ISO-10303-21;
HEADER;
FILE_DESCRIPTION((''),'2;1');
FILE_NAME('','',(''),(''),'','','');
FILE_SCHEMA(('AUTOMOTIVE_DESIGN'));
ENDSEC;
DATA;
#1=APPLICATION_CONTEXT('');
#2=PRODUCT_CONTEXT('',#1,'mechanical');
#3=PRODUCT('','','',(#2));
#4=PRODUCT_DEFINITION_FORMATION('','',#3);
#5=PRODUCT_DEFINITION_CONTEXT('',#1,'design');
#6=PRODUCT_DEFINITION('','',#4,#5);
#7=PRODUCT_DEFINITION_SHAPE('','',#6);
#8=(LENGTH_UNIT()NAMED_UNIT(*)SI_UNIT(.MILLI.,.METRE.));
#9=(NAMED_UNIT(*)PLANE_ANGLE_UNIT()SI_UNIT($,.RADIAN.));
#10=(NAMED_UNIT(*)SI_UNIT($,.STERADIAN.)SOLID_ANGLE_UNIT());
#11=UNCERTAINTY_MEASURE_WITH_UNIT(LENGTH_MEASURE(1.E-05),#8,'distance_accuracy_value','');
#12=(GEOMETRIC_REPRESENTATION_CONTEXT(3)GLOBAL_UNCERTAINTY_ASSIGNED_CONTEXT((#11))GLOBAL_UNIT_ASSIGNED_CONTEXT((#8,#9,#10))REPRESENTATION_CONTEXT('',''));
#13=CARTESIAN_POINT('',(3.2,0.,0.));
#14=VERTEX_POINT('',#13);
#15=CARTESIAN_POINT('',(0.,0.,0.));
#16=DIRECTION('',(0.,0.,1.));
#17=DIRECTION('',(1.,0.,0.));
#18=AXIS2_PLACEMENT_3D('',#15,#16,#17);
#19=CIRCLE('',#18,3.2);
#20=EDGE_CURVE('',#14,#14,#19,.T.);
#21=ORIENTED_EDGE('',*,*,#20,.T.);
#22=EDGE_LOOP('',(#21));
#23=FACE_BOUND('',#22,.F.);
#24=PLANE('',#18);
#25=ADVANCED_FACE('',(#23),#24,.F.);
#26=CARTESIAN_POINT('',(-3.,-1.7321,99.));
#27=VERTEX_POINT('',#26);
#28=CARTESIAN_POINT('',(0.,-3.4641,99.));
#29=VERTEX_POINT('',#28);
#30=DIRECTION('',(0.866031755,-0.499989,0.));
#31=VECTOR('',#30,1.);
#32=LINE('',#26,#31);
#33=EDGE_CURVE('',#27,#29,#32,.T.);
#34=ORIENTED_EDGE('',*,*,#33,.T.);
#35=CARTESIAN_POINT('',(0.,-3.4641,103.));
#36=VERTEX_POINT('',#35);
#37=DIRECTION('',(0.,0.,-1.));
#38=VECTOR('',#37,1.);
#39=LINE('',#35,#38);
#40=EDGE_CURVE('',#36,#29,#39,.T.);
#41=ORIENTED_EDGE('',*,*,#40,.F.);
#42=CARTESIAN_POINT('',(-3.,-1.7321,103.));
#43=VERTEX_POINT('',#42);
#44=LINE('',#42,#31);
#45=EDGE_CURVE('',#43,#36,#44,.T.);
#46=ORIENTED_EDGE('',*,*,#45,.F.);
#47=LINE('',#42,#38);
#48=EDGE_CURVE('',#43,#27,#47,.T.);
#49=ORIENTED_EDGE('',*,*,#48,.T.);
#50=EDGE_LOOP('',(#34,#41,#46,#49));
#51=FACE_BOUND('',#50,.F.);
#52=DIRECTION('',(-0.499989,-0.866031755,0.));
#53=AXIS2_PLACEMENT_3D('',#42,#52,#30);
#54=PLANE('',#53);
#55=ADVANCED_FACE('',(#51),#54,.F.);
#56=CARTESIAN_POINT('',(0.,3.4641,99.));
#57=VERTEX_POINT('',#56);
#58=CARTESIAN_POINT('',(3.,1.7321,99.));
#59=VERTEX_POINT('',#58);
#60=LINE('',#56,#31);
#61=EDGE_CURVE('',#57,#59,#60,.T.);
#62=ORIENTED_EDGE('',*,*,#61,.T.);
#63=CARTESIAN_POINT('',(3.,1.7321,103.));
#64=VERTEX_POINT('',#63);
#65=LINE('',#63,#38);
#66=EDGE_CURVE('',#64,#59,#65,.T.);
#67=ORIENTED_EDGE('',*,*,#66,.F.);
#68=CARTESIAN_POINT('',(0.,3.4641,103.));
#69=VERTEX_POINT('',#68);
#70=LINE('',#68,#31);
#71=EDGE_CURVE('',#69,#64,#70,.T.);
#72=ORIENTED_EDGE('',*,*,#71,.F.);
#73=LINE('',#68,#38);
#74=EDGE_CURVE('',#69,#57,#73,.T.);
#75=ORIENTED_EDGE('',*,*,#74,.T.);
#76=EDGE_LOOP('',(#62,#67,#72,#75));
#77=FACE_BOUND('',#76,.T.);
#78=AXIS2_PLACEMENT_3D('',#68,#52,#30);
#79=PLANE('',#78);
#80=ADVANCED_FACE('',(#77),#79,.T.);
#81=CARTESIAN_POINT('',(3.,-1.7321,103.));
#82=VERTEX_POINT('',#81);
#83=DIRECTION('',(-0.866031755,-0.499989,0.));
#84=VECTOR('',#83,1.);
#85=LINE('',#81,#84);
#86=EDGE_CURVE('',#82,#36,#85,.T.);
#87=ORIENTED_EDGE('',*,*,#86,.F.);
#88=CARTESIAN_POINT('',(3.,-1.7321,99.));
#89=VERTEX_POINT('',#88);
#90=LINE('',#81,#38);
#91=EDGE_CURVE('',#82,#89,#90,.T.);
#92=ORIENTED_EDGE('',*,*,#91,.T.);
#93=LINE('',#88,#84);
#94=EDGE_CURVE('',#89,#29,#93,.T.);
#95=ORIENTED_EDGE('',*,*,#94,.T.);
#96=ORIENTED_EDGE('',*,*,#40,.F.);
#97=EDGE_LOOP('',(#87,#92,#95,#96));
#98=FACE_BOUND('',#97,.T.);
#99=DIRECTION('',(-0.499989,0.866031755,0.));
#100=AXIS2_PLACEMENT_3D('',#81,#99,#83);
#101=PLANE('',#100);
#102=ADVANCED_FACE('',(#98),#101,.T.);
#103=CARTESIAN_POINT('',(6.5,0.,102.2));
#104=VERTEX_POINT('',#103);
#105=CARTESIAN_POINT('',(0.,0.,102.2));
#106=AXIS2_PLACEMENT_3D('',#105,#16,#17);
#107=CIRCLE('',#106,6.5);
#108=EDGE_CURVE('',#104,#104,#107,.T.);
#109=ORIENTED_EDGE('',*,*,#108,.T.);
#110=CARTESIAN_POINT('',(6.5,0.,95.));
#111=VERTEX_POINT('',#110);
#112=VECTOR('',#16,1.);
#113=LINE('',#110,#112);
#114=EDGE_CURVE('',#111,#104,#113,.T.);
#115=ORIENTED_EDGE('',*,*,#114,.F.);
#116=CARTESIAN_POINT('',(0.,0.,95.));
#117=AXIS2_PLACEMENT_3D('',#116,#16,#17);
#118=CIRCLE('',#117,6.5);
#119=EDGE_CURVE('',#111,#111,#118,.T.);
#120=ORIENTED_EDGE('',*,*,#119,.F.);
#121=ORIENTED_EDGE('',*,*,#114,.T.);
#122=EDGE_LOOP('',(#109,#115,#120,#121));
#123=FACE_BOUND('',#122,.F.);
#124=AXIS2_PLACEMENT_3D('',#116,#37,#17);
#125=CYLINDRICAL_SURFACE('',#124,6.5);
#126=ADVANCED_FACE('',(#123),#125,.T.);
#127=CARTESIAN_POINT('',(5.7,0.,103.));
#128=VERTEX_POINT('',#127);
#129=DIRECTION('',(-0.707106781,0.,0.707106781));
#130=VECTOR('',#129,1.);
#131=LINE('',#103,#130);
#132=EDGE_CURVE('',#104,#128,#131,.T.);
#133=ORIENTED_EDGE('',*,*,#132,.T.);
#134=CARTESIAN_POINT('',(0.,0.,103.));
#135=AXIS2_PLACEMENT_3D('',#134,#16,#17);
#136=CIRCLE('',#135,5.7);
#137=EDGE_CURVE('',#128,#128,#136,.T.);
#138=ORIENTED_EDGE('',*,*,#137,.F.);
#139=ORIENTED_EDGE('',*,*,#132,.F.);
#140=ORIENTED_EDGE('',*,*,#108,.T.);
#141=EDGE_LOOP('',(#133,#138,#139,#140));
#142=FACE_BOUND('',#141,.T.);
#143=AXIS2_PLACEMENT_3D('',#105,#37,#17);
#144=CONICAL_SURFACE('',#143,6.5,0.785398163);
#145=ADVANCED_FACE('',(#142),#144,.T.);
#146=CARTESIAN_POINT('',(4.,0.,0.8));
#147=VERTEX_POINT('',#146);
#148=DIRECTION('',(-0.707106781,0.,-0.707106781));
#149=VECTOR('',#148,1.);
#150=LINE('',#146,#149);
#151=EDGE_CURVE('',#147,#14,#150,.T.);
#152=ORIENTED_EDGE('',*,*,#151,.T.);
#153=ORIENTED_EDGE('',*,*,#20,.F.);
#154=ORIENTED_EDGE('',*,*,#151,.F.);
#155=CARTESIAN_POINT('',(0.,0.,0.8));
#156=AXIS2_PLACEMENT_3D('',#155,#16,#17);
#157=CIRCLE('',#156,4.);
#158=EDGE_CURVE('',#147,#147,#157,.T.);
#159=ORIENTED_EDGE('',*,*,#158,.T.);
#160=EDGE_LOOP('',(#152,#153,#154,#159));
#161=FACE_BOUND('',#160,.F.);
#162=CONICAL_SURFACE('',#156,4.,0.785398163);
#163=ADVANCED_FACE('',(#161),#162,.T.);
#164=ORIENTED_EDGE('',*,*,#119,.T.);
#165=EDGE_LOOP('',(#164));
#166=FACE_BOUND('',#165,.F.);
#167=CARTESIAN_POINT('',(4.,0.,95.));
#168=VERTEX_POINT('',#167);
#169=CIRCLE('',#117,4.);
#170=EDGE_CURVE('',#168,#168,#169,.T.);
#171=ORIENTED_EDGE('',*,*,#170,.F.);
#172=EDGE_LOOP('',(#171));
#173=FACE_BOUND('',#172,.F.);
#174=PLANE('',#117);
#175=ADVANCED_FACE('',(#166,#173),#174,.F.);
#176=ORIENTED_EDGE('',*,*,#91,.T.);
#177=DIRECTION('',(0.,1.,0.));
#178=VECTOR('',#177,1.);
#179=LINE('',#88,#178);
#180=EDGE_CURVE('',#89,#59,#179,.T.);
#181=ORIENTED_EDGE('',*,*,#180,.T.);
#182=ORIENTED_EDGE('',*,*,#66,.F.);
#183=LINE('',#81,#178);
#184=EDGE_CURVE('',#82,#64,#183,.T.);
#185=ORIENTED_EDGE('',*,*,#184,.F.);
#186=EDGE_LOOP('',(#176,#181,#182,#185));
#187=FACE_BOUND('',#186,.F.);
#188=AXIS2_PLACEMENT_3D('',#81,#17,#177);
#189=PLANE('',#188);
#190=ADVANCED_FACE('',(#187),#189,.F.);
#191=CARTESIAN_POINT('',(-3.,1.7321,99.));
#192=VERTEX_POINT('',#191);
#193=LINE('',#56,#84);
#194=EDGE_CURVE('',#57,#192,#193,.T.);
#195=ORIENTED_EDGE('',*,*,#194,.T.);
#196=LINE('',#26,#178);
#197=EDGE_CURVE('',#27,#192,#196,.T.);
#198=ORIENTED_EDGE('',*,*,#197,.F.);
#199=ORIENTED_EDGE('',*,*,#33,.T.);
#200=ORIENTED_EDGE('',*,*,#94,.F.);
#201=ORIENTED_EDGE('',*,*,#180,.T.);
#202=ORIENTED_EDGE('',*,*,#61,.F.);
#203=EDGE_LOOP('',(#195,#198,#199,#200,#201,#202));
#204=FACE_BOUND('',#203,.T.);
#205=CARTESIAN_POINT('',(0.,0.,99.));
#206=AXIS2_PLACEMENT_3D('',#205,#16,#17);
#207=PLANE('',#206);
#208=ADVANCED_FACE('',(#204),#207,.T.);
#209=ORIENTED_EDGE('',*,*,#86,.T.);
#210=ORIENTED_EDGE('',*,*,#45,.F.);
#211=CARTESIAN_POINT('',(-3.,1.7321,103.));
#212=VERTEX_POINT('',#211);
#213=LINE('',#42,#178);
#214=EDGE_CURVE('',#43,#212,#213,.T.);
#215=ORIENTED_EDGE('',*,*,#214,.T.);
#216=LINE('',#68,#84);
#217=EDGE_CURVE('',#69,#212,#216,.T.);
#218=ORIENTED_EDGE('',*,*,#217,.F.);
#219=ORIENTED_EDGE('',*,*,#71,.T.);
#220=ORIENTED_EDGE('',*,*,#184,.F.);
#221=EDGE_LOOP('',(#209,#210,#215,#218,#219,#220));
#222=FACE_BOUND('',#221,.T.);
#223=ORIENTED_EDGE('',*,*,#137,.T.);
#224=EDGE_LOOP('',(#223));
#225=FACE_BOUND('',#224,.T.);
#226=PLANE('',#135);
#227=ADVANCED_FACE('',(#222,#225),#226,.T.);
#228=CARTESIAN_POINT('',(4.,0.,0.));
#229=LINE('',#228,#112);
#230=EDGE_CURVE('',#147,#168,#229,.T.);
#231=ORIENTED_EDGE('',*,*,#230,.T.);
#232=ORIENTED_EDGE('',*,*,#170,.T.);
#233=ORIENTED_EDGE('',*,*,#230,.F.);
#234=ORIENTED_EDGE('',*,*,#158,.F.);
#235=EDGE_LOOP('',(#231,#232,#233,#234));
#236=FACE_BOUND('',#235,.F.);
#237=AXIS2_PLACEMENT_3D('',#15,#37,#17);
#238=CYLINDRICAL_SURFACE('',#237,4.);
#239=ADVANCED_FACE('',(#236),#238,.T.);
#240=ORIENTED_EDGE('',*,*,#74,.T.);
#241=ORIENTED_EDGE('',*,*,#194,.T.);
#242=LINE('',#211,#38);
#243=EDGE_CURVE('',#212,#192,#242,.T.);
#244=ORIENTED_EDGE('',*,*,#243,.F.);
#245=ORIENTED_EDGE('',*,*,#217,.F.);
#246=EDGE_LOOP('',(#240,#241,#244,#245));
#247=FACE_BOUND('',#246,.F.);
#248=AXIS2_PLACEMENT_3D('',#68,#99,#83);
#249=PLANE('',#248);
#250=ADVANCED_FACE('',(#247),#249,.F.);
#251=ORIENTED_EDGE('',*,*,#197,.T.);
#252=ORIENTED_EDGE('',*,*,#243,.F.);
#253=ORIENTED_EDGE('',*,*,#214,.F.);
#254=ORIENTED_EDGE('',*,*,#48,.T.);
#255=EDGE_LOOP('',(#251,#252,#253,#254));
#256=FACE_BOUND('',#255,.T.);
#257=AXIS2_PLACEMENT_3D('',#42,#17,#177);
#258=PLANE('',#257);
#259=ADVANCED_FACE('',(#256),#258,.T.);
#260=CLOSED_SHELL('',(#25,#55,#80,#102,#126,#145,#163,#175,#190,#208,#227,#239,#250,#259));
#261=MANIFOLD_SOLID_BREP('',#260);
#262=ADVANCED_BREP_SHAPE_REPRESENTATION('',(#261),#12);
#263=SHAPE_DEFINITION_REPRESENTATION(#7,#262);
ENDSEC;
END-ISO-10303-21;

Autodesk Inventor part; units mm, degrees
ref_plane "YZ Plane" through (0, 0, 0) normal (1, 0, 0) x (0, 1, 0)
ref_plane "XZ Plane" through (0, 0, 0) normal (0, 1, 0) x (-1, 0, 0)
ref_plane "XY Plane" through (0, 0, 0) normal (0, 0, 1) x (1, 0, 0)
sketch "Sketch1" plane through (0, 0, 0) normal (0, 0, 1) x (1, 0, 0)
  circle A0 centre (0, 0) radius 4
  dimension "Diameter" = 8
extrude "Extrusion1" add sketch "Sketch1" along normal blind 95
sketch "Sketch2" plane through (0, 0, 95) normal (0, 0, 1) x (1, 0, 0)
  circle A0 centre (0, 0) radius 4 projected
  circle A1 centre (0, 0) radius 6.5
  dimension "Head_Diameter" = 13
extrude "Extrusion2" add sketch "Sketch2" along normal blind 8 contours A0 | A1
sketch "Sketch3" plane through (0, 0, 103) normal (0, 0, 1) x (1, 0, 0)
  circle A0 centre (0, 0) radius 6.5 projected
  circle A1 centre (0, 0) radius 3.4641 construction
  line L0 (0, 3.4641) -> (3, 1.7321)
  line L1 (3, -1.7321) -> (3, 1.7321)
  line L2 (0, 3.4641) -> (-3, 1.7321)
  line L3 (-3, -1.7321) -> (-3, 1.7321)
  line L4 (-3, -1.7321) -> (0, -3.4641)
  line L5 (3, -1.7321) -> (0, -3.4641)
  dimension "Hex_Width" = 6
extrude "Extrusion3" cut sketch "Sketch3" against normal blind 4 contours L0 L1 L5 L4 L3 L2
thread "Thread1" size "M8x1.25" class "4g6g" standard "ANSI Metric M Profile" length 28
chamfer "Chamfer1" distance 0.8 angle 45 2 edges at (-6.5, 0, 103) (-4, 0, 0)
equation "\"d9\" = ThreadLength"
equation "\"d12\" = Chamfer"
equation "\"ThreadLength\" = 28"
equation "\"Chamfer\" = 0.8"
properties part number "SCREW, SOCKET HD, P, 12.9, M8X1.25X95MM"
